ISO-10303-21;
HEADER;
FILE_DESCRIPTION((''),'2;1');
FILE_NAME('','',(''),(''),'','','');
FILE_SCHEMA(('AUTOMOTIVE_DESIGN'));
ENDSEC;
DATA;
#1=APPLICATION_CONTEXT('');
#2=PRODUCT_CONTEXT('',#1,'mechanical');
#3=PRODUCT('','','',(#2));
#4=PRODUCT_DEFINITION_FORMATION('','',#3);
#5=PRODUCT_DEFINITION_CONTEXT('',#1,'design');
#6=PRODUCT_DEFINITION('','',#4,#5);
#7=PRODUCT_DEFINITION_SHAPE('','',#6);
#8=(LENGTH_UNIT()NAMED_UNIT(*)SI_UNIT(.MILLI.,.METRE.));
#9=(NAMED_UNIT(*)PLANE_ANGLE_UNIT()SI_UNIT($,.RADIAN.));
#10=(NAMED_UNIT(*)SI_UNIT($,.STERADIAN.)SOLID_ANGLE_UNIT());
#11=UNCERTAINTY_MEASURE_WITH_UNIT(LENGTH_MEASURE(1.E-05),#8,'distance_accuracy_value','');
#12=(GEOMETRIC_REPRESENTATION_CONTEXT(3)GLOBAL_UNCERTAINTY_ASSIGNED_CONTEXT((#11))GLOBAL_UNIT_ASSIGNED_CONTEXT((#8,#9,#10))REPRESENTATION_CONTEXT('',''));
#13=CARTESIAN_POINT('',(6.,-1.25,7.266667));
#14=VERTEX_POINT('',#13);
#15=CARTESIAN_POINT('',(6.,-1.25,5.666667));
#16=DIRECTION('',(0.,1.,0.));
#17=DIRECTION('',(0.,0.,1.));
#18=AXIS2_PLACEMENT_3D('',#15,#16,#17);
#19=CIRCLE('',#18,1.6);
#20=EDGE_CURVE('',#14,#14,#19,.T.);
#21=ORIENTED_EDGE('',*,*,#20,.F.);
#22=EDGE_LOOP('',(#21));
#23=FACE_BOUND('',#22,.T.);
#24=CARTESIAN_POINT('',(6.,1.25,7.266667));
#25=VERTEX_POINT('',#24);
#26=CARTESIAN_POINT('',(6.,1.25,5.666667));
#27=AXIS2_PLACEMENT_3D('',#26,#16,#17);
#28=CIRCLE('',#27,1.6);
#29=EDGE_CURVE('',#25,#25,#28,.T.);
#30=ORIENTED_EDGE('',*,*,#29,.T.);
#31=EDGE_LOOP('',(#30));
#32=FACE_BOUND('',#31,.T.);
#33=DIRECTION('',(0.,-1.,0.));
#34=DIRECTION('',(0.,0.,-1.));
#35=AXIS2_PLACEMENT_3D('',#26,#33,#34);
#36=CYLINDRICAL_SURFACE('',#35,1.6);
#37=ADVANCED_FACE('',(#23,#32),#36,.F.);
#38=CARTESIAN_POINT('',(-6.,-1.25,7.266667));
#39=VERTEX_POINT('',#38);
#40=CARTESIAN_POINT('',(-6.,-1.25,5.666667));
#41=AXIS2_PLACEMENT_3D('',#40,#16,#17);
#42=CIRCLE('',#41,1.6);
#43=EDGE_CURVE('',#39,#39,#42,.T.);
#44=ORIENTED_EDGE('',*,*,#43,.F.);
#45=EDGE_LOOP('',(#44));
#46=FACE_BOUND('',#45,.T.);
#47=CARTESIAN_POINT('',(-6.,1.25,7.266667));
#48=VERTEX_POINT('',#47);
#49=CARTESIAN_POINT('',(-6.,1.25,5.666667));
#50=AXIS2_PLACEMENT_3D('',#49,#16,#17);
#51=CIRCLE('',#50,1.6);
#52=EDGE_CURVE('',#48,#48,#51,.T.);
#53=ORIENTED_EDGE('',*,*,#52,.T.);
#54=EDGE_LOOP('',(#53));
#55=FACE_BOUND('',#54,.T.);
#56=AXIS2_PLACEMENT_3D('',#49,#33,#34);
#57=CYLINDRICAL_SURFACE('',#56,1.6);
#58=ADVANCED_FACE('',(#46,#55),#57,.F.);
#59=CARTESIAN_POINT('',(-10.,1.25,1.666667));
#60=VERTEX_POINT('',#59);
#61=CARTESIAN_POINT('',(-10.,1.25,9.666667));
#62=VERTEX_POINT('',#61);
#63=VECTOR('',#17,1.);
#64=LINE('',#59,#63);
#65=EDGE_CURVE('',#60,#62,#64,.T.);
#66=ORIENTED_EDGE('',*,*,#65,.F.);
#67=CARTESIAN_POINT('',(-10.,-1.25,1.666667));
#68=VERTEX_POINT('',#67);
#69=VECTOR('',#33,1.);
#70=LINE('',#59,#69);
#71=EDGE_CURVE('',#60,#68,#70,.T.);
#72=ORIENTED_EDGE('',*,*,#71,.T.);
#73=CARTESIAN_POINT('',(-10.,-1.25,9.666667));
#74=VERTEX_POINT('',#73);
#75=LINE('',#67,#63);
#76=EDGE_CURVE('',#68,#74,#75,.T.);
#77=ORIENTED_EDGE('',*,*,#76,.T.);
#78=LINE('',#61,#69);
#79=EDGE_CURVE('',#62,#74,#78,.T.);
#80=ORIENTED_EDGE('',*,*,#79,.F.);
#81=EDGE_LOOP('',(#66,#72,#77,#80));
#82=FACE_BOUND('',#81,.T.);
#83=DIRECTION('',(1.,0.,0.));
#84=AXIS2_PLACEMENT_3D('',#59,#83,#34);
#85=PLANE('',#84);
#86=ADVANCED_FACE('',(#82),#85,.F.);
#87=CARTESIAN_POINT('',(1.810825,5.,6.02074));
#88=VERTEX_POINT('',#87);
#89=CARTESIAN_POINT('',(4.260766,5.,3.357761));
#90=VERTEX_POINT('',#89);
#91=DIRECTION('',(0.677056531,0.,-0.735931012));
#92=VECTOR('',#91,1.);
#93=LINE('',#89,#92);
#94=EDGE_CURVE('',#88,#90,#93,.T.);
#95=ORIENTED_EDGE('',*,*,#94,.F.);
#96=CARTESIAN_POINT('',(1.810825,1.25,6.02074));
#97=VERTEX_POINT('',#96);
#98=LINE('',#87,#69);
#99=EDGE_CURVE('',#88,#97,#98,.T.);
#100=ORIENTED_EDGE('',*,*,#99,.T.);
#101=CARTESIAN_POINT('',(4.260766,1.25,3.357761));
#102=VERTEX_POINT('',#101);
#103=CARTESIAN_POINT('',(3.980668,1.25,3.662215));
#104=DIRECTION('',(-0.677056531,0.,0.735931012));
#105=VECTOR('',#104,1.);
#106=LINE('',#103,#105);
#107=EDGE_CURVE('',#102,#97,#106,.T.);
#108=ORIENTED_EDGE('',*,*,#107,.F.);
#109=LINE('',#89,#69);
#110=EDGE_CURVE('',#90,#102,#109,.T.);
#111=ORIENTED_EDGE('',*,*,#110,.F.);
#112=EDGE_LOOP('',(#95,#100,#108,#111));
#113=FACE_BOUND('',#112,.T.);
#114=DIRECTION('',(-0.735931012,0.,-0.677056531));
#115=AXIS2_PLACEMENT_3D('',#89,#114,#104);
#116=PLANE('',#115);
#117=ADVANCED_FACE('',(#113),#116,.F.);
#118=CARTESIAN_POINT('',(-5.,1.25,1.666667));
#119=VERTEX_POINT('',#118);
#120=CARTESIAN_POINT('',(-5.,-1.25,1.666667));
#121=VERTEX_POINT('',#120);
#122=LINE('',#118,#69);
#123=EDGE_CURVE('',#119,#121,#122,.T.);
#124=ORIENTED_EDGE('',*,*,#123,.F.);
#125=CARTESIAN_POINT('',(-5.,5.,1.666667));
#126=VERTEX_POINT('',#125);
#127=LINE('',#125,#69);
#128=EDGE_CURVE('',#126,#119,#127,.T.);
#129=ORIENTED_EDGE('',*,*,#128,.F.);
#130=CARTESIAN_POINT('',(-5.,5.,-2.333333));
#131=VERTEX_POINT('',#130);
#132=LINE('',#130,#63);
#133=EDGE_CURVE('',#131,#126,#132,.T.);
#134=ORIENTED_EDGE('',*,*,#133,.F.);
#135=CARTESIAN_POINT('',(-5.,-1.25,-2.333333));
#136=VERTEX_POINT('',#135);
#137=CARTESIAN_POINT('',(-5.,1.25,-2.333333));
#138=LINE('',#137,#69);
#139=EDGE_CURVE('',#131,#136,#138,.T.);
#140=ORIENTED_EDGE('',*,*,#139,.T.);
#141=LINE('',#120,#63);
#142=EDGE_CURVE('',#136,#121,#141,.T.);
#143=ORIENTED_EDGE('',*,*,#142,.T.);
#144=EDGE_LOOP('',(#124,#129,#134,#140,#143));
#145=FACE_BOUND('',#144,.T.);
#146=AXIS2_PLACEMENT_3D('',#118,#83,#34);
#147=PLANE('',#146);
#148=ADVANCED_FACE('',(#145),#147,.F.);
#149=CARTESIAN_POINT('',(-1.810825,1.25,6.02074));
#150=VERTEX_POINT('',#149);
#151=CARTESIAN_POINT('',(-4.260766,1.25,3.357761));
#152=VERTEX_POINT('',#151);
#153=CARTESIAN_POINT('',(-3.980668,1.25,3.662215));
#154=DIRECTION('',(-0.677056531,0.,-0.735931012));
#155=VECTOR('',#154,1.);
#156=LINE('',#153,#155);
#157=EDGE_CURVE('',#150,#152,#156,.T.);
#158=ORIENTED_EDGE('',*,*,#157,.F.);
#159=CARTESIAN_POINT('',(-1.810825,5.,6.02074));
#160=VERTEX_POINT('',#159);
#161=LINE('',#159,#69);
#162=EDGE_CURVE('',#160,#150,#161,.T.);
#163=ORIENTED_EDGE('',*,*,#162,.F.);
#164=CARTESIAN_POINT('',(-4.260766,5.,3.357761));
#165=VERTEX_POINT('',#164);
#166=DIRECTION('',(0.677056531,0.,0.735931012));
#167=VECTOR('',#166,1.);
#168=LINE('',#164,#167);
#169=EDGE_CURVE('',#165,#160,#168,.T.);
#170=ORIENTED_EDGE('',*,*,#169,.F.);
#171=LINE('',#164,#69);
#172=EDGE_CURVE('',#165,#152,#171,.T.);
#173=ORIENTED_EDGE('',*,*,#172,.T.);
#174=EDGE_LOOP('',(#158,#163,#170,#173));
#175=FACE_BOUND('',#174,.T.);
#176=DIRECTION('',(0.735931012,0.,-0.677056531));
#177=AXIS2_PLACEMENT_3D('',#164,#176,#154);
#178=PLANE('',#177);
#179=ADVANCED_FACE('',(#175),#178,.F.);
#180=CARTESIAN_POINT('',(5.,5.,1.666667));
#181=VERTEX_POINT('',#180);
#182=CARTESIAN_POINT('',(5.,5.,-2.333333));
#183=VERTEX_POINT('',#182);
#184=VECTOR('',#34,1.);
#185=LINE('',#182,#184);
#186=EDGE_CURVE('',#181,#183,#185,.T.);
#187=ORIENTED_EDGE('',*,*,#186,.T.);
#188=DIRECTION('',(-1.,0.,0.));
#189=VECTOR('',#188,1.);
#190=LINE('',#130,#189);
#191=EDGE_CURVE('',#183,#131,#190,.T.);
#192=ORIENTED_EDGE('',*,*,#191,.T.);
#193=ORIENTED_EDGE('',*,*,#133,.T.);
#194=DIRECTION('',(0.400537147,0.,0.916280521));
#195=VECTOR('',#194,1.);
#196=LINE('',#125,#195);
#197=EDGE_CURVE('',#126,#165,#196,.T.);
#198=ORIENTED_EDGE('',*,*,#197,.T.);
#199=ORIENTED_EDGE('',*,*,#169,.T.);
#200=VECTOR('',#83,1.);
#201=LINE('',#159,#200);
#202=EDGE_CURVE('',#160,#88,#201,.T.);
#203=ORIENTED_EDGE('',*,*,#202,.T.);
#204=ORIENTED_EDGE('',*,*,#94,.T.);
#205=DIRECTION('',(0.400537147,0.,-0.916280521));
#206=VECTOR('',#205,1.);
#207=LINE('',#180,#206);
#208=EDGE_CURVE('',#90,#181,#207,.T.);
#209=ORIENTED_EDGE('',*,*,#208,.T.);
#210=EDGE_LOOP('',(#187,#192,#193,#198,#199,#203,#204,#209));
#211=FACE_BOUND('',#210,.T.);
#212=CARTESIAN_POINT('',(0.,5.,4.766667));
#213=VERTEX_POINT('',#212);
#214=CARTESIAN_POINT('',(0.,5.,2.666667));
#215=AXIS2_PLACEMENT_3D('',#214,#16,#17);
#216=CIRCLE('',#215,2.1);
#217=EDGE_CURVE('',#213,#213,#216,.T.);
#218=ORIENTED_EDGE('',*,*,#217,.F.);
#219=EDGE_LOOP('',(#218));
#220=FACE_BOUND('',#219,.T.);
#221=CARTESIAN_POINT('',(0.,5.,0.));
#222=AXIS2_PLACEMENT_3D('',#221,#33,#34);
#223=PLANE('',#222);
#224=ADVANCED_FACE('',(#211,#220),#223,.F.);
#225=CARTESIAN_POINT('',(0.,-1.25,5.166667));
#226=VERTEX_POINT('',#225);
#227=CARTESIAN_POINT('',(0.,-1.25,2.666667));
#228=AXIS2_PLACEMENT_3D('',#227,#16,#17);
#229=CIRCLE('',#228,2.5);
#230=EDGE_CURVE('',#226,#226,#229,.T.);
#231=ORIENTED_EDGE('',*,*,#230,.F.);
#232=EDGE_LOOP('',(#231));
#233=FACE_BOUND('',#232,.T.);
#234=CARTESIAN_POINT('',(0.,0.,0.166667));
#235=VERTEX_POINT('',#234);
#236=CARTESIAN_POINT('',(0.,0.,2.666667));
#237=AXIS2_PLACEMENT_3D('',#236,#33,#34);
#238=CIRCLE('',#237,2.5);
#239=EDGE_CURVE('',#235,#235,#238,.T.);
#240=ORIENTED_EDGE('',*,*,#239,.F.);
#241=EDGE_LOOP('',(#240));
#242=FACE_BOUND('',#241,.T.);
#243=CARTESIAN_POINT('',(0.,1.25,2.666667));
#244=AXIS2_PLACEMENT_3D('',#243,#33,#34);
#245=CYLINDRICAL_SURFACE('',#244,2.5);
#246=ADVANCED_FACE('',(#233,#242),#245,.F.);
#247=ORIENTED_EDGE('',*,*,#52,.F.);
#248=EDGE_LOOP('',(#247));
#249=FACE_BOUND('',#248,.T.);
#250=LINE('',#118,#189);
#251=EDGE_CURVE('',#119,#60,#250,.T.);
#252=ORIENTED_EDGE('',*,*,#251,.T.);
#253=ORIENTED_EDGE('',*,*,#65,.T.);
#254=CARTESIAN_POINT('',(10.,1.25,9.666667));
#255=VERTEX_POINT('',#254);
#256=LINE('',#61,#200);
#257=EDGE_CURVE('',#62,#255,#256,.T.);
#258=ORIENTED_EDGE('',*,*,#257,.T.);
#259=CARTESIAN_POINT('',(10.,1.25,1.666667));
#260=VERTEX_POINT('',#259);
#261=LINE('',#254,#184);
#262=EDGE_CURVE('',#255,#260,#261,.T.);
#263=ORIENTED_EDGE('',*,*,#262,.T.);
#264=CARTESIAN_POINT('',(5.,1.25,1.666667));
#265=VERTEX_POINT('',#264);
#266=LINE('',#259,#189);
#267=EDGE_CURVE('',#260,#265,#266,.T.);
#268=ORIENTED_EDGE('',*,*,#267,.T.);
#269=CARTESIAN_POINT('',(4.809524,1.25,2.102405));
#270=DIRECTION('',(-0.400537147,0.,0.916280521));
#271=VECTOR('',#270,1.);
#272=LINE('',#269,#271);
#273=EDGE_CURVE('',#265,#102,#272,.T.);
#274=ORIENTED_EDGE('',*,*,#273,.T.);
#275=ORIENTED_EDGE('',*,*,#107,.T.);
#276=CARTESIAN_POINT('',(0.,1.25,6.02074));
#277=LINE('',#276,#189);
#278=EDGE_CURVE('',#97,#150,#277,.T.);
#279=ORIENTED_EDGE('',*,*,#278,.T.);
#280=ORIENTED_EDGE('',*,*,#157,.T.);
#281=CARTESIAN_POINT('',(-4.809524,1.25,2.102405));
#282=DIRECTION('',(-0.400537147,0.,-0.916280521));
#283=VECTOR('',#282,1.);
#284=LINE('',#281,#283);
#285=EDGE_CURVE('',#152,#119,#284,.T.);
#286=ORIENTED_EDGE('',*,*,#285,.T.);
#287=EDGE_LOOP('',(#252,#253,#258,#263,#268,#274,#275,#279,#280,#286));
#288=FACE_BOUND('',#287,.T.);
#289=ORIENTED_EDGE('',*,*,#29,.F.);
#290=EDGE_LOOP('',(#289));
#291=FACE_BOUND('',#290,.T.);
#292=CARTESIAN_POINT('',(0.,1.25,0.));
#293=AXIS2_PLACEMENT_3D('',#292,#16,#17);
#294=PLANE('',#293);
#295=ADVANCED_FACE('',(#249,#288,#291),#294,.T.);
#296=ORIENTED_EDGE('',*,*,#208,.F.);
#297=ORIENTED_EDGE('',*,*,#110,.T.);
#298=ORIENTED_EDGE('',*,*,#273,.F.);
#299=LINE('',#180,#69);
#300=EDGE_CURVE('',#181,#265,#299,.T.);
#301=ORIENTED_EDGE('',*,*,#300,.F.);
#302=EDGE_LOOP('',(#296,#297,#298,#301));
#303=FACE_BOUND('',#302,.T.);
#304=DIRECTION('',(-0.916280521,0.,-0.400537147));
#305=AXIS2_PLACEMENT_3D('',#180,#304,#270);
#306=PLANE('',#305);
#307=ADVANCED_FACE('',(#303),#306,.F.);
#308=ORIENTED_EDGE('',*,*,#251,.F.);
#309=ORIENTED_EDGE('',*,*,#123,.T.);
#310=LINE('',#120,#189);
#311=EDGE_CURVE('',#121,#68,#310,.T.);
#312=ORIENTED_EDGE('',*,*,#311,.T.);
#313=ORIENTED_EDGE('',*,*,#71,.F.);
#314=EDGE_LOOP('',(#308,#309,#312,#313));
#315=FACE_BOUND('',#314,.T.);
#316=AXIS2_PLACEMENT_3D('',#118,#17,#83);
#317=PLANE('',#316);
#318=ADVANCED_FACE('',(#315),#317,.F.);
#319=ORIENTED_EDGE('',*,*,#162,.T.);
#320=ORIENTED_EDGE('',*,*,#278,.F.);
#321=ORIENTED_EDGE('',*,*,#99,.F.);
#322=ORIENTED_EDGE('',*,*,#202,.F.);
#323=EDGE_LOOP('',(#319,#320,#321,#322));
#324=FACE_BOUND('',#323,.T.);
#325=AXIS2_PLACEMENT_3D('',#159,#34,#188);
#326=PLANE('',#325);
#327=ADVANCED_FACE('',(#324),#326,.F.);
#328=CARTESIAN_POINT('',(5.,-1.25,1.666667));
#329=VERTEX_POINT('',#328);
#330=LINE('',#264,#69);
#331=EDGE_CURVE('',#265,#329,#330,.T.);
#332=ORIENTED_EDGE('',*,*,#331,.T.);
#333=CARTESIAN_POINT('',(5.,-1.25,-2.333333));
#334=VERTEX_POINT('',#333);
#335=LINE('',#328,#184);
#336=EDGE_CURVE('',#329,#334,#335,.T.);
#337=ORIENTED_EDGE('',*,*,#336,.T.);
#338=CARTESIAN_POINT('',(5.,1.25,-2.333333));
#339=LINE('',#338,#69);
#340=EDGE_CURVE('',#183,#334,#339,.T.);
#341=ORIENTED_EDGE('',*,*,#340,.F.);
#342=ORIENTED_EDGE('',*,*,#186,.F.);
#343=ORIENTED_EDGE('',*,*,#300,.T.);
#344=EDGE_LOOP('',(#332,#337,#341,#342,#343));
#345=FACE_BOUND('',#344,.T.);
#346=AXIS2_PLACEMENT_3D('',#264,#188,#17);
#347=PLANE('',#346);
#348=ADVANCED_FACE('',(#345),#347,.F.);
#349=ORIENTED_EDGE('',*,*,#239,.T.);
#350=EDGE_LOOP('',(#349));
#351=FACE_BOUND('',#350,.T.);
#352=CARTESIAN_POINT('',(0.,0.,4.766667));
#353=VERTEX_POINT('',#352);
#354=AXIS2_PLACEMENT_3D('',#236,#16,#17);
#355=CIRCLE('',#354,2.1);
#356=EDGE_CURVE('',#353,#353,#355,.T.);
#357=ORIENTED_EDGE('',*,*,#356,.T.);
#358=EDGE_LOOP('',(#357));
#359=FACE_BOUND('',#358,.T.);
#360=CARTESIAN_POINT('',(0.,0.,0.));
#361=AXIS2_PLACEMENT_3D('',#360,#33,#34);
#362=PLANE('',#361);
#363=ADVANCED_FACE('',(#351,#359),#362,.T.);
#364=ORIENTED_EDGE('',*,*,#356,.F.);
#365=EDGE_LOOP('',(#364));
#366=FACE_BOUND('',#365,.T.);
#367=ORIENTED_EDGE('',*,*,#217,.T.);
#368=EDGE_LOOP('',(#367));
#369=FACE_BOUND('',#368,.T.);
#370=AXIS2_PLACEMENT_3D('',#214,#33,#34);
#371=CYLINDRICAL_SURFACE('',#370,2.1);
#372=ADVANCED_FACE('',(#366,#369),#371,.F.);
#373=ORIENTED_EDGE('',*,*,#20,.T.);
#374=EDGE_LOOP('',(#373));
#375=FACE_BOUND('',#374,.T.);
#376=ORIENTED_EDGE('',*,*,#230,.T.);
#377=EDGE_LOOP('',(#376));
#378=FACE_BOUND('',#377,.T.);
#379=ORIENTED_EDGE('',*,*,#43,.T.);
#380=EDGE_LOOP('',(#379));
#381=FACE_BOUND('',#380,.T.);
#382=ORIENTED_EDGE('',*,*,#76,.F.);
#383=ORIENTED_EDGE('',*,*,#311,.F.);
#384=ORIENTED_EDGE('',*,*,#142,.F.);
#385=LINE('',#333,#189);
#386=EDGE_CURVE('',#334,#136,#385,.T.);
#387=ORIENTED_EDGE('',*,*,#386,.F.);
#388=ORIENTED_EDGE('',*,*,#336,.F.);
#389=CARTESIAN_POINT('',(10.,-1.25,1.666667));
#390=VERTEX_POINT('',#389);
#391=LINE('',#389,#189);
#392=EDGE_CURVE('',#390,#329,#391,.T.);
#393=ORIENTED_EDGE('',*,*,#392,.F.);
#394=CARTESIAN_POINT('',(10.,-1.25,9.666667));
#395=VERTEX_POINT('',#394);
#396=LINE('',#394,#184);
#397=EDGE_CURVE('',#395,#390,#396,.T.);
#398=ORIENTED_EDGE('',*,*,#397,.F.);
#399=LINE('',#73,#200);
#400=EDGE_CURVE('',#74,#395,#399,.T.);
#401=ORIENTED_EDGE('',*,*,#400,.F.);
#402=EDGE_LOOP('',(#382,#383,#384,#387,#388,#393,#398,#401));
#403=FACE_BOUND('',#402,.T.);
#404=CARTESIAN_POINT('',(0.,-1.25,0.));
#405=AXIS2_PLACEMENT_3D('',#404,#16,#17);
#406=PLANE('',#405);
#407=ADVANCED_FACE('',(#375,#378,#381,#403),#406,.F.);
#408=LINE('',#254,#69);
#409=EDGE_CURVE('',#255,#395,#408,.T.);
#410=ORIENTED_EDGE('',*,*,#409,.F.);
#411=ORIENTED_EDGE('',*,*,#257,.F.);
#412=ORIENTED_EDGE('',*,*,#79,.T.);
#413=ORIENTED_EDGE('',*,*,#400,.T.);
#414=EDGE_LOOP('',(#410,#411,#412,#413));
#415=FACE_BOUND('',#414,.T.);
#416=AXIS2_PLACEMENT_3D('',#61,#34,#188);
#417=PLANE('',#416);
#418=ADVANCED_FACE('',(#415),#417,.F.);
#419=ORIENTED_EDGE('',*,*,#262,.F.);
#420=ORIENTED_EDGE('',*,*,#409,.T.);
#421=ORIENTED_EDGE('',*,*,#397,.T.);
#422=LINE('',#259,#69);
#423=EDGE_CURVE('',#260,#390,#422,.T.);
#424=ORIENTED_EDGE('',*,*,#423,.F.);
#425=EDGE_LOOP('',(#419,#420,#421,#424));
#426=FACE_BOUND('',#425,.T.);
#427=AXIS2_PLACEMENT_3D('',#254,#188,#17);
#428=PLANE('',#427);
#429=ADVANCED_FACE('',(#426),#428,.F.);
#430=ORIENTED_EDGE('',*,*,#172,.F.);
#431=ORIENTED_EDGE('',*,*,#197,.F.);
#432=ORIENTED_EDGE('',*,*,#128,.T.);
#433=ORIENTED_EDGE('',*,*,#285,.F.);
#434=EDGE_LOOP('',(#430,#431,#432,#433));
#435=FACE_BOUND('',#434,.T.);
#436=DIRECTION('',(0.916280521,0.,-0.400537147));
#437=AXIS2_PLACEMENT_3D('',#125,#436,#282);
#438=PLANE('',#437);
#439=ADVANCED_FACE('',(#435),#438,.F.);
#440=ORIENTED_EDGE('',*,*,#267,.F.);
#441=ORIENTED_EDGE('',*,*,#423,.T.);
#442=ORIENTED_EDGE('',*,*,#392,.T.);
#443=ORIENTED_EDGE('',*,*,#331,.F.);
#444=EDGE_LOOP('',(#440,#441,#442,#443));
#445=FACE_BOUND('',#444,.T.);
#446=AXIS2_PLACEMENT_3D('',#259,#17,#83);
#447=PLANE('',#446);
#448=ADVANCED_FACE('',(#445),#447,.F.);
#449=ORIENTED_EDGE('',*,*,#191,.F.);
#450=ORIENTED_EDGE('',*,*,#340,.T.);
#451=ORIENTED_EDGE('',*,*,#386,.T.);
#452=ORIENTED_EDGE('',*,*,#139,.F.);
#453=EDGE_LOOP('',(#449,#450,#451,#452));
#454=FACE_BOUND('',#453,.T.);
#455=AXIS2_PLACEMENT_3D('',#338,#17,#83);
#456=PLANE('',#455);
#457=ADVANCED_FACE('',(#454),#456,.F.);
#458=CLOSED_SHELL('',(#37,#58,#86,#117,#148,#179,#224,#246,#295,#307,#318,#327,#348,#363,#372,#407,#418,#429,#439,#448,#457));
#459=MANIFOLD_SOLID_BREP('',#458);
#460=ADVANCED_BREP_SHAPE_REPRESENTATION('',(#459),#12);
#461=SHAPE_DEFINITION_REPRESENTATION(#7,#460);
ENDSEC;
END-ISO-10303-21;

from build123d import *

# Parameters (mm, degrees)
SKETCH1_R           = 1.6
SKETCH1_R_2         = 2.5
BOSS_EXTRUDE1_DEPTH = 1.25
SKETCH2_R           = 2.1
BOSS_EXTRUDE2_DEPTH = 5


with BuildPart() as part:
    # Sketch1 → Boss-Extrude1 (new body, symmetric)
    with BuildSketch(Plane(origin=(0, 0, 0), x_dir=(1, 0, 0), z_dir=(0, 1, 0))):
        Polygon((-5, -1.666666667), (-10, -1.666666667), (-10, -9.666666667), (10, -9.666666667), (10, -1.666666667), (5, -1.666666667), (5, 2.333333333), (-5, 2.333333333), align=None)
        with Locations((-6, -5.666666667)):
            Circle(SKETCH1_R, mode=Mode.SUBTRACT)
        with Locations((6, -5.666666667)):
            Circle(SKETCH1_R, mode=Mode.SUBTRACT)
        with Locations((0, -2.666666667)):
            Circle(SKETCH1_R_2, mode=Mode.SUBTRACT)
    extrude(amount=BOSS_EXTRUDE1_DEPTH, both=True)

    # Sketch2 → Boss-Extrude2 (add)
    with BuildSketch(Plane(origin=(0, 0, 0), x_dir=(1, 0, 0), z_dir=(0, 1, 0))):
        Polygon((-5, 2.333333333), (-5, -1.666666667), (-4.260765506, -3.357761167), (-1.81082534, -6.020739609), (1.81082534, -6.020739609), (4.260765506, -3.357761167), (5, -1.666666667), (5, 2.333333333), align=None)
        with Locations((0, -2.666666667)):
            Circle(SKETCH2_R, mode=Mode.SUBTRACT)
    extrude(amount=BOSS_EXTRUDE2_DEPTH)


solid = part.part
